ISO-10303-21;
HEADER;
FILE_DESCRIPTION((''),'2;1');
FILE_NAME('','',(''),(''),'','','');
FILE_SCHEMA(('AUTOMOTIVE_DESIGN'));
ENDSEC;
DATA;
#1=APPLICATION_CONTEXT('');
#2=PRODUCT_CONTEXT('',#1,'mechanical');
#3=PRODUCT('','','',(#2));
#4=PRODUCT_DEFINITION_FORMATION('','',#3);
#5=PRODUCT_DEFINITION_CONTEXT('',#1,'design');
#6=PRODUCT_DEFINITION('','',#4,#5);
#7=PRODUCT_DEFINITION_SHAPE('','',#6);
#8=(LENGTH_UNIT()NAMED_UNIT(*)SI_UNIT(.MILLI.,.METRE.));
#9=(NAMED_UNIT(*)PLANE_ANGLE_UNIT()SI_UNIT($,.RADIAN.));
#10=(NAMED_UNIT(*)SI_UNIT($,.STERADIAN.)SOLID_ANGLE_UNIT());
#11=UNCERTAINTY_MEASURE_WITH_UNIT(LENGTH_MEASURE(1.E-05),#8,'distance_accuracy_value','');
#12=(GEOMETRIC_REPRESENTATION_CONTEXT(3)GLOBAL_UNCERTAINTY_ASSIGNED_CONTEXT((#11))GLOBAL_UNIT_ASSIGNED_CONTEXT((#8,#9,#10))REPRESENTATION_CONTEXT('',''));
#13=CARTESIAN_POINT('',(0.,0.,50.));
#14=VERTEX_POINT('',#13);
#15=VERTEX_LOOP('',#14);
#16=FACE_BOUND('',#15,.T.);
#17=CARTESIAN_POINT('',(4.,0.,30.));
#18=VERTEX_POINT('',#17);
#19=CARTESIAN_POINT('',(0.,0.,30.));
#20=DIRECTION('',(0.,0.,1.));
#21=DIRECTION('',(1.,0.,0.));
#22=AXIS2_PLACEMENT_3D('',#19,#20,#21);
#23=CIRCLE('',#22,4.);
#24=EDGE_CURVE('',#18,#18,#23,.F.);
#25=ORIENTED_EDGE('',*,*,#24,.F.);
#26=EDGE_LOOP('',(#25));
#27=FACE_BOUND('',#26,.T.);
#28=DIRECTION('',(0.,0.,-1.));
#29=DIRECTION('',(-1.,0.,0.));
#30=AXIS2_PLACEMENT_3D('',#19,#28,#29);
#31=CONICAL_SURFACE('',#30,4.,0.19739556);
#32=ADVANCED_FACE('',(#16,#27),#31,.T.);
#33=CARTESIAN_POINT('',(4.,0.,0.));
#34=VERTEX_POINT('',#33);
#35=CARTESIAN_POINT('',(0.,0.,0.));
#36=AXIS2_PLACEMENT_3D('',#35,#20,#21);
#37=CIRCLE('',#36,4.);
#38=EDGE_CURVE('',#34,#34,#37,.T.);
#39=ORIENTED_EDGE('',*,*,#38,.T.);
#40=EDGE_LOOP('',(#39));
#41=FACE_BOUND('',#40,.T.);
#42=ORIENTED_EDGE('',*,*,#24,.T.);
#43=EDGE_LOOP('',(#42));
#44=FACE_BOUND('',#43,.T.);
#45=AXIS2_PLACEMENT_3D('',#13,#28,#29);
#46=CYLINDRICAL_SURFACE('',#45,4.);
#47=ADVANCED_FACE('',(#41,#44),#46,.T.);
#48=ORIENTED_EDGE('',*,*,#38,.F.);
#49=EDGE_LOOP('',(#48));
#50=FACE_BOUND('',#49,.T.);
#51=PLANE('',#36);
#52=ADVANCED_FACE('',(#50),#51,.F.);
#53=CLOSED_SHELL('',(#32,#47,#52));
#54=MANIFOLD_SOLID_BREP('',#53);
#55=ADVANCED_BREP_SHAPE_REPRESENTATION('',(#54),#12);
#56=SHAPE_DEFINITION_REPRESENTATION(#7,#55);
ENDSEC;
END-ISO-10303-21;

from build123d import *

# Parameters (mm, degrees)
SKETCH1_R           = 4
BOSS_EXTRUDE1_DEPTH = 50
CHAMFER1_SIZE       = 20
CHAMFER1_SIZE2      = 4


with BuildPart() as part:
    # Sketch1 → Boss-Extrude1 (new body)
    with BuildSketch(Plane.XY):
        Circle(SKETCH1_R)
    extrude(amount=BOSS_EXTRUDE1_DEPTH)

    # Chamfer1
    chamfer1_edges = [part.edges().sort_by_distance(p)[0] for p in [
        (-4, 0, 50),
    ]]
    chamfer1_side = [part.faces().sort_by_distance(p)[0] for p in [
        (-4, 0, 25),
    ]]
    chamfer(chamfer1_edges, length=CHAMFER1_SIZE, length2=CHAMFER1_SIZE2, reference=chamfer1_side[0])


solid = part.part
